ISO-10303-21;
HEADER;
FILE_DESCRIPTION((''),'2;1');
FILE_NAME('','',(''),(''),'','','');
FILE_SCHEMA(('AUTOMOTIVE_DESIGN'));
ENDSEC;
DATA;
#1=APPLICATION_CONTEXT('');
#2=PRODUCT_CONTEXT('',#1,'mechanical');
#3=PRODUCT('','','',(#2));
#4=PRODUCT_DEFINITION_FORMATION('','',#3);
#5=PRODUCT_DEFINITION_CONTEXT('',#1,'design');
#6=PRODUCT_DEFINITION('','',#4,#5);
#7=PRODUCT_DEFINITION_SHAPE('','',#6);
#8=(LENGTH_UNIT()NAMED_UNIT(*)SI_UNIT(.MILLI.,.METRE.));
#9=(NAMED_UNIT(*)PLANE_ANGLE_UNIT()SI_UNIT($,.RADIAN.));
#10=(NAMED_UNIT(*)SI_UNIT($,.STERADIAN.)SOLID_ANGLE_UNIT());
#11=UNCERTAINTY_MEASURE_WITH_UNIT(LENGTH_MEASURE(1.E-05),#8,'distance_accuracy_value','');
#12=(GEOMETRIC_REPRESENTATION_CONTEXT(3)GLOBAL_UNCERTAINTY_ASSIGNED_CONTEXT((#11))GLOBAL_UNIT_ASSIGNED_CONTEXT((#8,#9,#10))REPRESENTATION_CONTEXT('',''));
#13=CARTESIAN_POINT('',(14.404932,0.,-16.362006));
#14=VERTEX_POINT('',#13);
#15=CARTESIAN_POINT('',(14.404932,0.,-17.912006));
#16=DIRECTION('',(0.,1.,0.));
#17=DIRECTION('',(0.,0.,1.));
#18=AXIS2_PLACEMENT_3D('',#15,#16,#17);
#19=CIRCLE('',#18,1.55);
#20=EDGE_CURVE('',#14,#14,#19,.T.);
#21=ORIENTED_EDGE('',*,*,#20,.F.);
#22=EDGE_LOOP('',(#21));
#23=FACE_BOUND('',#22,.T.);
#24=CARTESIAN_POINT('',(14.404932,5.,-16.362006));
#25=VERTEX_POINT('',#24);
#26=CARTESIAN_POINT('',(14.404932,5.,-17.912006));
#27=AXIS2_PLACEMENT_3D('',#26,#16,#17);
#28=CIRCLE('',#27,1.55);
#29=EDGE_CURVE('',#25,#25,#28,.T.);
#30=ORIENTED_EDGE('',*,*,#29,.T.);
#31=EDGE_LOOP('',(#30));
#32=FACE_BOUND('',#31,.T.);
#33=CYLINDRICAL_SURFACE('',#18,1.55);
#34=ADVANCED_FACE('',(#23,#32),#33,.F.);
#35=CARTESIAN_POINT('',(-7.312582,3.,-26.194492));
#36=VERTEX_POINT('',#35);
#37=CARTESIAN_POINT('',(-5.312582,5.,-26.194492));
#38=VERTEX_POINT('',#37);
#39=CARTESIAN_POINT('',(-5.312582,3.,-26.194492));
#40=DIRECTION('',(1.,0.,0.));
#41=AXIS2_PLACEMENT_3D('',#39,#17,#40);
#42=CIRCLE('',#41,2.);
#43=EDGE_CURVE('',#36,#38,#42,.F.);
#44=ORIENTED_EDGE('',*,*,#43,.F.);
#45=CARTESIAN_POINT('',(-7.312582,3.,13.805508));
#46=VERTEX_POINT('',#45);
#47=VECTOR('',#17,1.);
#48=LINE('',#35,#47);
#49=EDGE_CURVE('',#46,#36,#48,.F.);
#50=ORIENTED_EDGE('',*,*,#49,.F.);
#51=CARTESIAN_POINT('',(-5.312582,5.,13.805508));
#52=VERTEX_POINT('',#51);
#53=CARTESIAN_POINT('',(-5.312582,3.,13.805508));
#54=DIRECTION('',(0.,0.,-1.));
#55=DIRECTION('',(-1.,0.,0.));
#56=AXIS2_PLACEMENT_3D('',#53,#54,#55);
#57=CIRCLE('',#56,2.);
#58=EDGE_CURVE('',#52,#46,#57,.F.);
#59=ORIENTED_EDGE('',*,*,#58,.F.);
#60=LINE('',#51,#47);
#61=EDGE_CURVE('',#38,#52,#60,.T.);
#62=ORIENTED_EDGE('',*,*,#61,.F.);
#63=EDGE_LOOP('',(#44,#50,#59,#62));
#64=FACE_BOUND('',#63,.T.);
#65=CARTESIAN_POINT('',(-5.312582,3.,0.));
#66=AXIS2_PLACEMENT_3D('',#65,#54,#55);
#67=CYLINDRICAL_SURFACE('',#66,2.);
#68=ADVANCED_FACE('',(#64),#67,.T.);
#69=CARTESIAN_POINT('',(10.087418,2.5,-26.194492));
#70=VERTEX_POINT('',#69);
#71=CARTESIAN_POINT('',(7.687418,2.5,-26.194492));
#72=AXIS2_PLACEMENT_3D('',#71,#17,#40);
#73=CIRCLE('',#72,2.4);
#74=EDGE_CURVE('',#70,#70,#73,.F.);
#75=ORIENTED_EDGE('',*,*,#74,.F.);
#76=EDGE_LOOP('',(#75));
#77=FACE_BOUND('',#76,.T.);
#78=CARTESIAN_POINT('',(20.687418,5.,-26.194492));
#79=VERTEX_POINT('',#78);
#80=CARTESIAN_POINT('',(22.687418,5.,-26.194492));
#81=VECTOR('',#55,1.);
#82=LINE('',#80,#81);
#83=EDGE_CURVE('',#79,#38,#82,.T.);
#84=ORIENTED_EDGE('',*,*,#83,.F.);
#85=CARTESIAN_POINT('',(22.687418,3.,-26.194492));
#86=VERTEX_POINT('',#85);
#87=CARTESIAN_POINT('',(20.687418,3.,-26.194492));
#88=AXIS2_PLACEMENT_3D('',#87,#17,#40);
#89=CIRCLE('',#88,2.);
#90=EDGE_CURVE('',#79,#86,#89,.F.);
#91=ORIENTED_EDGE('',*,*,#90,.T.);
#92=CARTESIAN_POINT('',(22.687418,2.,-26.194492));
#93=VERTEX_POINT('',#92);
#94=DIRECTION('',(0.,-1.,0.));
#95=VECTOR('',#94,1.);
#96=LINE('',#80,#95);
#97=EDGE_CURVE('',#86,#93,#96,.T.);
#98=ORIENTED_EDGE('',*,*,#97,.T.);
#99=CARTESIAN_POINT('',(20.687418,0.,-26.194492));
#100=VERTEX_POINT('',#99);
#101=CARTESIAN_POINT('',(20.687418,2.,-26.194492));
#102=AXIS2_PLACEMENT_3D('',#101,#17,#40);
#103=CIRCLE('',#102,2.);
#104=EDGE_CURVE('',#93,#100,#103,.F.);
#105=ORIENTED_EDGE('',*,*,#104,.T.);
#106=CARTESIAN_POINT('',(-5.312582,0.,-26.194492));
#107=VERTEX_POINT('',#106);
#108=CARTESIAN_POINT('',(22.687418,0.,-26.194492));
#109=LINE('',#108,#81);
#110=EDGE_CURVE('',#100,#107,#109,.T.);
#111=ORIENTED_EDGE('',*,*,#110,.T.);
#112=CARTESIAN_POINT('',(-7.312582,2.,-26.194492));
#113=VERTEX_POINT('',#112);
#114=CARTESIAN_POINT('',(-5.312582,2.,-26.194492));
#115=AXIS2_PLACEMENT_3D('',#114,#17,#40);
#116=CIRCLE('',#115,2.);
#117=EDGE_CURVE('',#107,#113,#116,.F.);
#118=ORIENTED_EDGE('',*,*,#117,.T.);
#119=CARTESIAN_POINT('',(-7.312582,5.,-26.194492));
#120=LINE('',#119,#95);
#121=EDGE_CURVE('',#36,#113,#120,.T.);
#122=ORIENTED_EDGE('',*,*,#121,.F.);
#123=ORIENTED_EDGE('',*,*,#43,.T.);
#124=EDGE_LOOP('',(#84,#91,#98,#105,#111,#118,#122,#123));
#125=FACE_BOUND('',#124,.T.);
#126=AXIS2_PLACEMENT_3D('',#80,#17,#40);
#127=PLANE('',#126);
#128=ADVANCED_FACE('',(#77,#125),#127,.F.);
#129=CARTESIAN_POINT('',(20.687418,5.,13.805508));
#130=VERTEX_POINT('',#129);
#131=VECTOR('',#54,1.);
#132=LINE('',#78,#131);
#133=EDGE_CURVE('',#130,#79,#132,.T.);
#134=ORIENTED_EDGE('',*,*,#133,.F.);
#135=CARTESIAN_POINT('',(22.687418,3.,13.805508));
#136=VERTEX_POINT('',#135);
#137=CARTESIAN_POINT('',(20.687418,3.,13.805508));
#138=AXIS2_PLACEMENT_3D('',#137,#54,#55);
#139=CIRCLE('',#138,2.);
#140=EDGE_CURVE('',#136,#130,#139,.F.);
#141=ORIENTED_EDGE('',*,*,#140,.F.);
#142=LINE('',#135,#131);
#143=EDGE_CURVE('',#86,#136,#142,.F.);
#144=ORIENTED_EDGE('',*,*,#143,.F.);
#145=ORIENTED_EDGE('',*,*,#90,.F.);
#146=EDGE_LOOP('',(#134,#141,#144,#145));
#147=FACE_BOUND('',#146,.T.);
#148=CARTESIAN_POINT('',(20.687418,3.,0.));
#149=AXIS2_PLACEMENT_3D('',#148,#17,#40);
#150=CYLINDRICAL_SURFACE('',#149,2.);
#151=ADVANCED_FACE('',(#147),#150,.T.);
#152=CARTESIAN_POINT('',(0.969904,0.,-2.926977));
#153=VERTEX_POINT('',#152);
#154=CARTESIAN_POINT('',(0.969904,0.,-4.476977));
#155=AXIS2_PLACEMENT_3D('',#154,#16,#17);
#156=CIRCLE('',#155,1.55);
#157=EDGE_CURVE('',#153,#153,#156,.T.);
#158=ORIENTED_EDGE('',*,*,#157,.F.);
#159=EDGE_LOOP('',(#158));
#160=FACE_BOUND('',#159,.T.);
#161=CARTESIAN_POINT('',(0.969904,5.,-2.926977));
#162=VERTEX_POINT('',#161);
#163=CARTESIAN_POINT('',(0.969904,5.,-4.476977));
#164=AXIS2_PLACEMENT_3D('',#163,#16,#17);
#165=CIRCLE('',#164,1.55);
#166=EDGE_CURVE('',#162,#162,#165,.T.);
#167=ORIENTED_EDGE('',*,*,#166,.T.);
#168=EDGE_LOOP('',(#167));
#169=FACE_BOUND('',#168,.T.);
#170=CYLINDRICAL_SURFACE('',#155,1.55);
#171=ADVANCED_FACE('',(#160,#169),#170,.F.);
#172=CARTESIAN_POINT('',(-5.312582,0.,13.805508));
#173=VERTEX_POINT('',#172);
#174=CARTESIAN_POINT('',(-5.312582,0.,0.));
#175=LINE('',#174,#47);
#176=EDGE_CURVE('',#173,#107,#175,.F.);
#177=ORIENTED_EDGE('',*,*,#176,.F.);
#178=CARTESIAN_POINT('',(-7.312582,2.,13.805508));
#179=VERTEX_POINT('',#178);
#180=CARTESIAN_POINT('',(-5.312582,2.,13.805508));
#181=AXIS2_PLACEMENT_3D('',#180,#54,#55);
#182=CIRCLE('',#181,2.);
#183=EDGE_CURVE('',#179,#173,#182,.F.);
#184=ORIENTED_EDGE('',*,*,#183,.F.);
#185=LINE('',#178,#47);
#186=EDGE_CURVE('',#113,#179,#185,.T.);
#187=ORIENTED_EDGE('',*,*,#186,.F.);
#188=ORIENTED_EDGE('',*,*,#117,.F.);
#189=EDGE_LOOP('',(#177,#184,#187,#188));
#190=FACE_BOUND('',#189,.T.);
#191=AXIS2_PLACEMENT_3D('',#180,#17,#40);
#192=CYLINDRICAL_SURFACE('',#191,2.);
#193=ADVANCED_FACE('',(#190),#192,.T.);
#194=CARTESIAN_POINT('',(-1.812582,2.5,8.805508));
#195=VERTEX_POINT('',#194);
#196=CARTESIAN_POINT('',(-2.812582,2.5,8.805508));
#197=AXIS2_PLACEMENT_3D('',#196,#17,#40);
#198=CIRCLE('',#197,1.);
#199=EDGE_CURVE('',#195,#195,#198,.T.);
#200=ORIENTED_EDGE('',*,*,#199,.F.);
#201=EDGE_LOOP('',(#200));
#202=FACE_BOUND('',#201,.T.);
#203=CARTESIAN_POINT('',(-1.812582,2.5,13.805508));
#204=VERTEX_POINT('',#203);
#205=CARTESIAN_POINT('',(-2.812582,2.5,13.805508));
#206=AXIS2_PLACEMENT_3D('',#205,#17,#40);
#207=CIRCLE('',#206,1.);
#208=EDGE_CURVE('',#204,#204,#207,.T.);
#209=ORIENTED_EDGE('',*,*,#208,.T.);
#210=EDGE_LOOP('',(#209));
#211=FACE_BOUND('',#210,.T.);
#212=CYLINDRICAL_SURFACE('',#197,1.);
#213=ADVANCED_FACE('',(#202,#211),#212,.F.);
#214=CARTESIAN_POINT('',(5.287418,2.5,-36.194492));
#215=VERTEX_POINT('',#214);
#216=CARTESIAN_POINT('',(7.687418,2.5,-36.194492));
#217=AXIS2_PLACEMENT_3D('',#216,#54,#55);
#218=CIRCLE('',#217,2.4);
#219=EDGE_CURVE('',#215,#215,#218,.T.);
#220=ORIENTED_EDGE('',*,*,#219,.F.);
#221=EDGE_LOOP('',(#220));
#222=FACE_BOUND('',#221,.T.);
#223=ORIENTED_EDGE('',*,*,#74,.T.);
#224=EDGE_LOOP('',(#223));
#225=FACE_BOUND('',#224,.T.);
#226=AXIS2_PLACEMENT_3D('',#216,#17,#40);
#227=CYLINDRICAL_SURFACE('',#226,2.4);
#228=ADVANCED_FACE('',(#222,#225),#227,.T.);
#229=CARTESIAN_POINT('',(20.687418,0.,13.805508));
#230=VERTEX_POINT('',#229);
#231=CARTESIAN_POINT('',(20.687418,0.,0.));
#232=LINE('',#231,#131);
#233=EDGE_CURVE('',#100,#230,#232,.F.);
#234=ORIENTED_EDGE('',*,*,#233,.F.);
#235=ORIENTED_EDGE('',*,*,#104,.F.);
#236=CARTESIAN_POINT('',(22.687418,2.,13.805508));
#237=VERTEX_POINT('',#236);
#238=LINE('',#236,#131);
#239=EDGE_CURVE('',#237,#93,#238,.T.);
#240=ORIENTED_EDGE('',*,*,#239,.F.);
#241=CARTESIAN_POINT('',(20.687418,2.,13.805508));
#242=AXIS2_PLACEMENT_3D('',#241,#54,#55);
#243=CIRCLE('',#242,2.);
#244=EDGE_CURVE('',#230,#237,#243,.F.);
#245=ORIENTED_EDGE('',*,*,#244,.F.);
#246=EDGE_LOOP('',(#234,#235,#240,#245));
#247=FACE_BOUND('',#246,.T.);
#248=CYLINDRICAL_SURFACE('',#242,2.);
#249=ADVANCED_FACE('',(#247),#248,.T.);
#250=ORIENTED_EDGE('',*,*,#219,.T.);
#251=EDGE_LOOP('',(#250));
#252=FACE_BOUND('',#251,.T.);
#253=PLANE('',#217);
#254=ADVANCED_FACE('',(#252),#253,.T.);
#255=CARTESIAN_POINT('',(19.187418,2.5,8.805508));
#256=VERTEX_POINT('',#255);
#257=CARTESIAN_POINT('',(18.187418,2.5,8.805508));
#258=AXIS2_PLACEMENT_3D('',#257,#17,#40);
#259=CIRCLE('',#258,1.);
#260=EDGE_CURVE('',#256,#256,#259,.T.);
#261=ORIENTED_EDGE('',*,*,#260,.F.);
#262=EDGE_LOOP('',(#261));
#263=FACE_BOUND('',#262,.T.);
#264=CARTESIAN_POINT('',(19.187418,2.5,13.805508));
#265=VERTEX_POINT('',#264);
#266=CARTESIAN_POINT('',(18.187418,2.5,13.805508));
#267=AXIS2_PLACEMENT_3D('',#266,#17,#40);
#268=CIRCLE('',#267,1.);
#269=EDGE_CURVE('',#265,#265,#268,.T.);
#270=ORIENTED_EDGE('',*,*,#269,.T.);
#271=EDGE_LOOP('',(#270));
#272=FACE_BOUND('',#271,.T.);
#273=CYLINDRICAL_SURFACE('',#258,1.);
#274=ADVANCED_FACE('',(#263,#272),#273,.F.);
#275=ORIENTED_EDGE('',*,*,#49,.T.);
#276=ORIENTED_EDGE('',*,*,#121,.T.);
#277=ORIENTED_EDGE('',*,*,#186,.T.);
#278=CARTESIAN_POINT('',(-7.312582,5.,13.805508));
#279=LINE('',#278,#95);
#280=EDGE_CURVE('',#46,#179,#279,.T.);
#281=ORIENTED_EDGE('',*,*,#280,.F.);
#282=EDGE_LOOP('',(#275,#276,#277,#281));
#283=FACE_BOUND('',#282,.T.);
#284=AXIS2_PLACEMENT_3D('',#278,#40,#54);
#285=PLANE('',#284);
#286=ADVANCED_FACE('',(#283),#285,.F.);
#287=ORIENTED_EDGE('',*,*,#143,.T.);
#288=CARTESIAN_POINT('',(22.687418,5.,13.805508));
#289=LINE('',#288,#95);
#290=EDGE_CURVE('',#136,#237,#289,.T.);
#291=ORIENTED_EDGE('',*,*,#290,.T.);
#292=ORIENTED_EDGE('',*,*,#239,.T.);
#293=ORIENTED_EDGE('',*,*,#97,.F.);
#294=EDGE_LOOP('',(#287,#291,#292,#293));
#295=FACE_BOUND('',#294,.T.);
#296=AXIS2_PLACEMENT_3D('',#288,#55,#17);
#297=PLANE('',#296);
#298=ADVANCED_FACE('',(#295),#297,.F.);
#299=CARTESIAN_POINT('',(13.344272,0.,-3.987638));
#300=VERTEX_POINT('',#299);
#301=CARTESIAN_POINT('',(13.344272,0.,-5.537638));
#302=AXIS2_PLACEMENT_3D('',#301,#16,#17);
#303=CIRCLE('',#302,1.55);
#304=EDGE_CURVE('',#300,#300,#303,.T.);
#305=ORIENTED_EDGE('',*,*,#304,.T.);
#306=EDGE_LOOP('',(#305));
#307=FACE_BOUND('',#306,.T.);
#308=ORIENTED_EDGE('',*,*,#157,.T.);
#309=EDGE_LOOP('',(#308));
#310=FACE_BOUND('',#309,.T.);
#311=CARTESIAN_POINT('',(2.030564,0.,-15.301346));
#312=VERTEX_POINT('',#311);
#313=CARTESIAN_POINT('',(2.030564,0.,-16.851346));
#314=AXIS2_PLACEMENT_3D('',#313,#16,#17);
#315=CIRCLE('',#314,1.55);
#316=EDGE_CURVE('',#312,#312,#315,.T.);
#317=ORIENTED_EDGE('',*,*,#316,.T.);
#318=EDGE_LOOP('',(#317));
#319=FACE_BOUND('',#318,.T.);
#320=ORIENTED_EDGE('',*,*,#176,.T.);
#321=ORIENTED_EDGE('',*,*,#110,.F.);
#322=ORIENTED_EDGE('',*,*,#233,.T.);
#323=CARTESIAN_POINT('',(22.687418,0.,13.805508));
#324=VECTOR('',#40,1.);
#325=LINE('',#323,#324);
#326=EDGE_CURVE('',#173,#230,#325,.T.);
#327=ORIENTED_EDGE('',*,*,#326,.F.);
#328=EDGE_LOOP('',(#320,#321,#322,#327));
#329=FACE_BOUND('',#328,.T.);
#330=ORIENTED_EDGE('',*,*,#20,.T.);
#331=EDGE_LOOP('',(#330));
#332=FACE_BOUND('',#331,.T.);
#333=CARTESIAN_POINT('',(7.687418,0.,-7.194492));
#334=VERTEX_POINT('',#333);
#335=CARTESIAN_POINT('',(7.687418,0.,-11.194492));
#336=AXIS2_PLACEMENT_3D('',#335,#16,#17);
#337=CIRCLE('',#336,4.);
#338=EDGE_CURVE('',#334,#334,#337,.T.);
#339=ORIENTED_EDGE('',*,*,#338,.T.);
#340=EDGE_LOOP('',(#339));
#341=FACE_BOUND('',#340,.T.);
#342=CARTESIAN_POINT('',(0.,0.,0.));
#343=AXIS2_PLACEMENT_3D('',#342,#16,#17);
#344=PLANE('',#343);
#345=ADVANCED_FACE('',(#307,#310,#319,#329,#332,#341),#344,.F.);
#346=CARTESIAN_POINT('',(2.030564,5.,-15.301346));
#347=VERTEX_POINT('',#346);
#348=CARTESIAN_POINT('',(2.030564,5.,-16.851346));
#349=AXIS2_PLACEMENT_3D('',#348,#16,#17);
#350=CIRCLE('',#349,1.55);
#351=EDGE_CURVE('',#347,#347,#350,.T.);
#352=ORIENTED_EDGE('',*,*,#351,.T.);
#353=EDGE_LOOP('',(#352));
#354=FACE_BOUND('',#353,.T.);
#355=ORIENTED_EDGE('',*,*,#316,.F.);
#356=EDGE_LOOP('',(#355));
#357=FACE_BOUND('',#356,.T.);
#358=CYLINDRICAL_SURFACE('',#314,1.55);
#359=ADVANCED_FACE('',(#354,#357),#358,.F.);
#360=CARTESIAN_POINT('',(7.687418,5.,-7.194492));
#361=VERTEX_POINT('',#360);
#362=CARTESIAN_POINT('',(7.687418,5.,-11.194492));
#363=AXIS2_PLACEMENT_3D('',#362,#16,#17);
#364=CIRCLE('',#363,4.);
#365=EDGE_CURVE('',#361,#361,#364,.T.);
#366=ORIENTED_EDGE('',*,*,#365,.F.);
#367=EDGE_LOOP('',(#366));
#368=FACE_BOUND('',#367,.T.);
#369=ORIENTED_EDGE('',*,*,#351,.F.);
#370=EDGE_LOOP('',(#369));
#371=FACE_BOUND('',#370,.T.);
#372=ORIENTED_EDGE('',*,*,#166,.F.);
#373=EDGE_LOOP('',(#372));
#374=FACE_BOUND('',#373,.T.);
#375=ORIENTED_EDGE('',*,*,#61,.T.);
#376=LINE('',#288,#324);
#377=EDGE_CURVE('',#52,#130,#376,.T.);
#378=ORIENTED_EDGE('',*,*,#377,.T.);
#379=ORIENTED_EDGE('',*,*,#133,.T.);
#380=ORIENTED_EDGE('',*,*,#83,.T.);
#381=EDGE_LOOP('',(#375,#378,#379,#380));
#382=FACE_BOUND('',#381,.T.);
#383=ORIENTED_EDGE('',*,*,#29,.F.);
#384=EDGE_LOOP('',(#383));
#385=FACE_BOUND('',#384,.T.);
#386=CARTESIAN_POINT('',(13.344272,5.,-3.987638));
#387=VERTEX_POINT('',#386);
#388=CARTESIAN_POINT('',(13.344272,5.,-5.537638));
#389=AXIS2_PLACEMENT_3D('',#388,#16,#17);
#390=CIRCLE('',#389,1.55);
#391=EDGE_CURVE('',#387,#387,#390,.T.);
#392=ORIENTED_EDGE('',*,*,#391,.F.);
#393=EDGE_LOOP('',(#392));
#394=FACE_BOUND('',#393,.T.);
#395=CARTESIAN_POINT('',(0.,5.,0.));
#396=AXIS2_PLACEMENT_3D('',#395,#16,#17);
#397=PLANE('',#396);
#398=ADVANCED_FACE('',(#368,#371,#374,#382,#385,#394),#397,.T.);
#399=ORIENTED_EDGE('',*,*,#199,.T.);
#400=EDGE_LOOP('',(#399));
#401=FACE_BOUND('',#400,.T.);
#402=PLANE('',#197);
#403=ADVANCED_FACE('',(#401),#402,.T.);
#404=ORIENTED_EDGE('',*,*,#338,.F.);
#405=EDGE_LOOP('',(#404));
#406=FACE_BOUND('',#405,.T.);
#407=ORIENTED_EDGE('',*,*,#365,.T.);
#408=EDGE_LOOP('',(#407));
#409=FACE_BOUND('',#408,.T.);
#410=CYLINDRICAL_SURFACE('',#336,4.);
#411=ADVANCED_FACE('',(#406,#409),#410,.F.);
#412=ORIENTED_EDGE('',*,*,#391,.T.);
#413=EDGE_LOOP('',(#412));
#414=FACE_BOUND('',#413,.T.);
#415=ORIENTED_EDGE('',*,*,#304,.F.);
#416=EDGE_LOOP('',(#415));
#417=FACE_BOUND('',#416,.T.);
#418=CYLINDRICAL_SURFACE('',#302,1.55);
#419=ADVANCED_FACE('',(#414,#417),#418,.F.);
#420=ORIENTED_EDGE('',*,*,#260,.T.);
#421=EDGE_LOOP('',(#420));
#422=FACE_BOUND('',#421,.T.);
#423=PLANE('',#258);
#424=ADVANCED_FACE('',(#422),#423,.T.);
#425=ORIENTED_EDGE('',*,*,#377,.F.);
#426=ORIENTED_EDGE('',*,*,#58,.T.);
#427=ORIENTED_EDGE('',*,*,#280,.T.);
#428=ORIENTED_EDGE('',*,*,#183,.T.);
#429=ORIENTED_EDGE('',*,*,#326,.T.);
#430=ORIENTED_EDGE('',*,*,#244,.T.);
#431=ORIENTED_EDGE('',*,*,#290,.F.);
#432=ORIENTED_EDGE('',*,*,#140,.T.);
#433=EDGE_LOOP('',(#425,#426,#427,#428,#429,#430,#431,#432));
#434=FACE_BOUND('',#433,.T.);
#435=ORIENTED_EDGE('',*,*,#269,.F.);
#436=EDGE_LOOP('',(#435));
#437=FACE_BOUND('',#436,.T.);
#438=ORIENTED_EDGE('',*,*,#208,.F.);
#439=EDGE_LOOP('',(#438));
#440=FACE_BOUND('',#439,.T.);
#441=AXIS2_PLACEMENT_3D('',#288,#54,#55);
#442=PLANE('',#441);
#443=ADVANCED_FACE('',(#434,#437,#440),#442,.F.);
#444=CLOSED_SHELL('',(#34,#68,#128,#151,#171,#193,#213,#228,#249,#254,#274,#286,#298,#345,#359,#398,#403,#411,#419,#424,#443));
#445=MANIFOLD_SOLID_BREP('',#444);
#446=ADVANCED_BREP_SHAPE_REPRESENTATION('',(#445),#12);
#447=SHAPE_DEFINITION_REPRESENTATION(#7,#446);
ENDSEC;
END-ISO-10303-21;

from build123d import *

# Parameters (mm, degrees)
SKETCH1_W           = 30
SKETCH1_H           = 40
BOSS_EXTRUDE1_DEPTH = 5
SKETCH2_R           = 4
CUT_EXTRUDE1_DEPTH  = 5
SKETCH3_R           = 1.55
CUT_EXTRUDE2_DEPTH  = 5
SKETCH4_R           = 1
CUT_EXTRUDE3_DEPTH  = 5
SKETCH5_R           = 2.4
BOSS_EXTRUDE2_DEPTH = 10
FILLET1_R           = 2


with BuildPart() as part:
    # Sketch1 → Boss-Extrude1 (new body)
    with BuildSketch(Plane(origin=(0, 0, 0), x_dir=(1, 0, 0), z_dir=(0, 1, 0))):
        with Locations((7.687417977, 6.194491888)):
            Rectangle(SKETCH1_W, SKETCH1_H)
    extrude(amount=BOSS_EXTRUDE1_DEPTH)

    # Sketch2 → Cut-Extrude1 (cut)
    with BuildSketch(Plane(origin=(0, 5, 0), x_dir=(-1, 0, 0), z_dir=(0, 1, 0))):
        with Locations(Location((-7.687417977, -11.194491888, 0), (0, 0, 90))):
            Circle(SKETCH2_R)
    extrude(amount=-CUT_EXTRUDE1_DEPTH, mode=Mode.SUBTRACT)

    # Sketch3 → Cut-Extrude2 (cut)
    with BuildSketch(Plane(origin=(0, 5, 0), x_dir=(1, 0, 0), z_dir=(0, 1, 0))):
        with Locations(Location((2.030563727, 16.851346138, 0), (0, 0, 270))):
            Circle(SKETCH3_R)
        with Locations(Location((14.404932398, 17.912006309, 0), (0, 0, 270))):
            Circle(SKETCH3_R)
        with Locations(Location((13.344272226, 5.537637639, 0), (0, 0, 270))):
            Circle(SKETCH3_R)
        with Locations(Location((0.969903556, 4.476977467, 0), (0, 0, 270))):
            Circle(SKETCH3_R)
    extrude(amount=-CUT_EXTRUDE2_DEPTH, mode=Mode.SUBTRACT)

    # Sketch4 → Cut-Extrude3 (cut)
    with BuildSketch(Plane.XY.offset(13.805508112)):
        with Locations((-2.812582023, 2.5)):
            Circle(SKETCH4_R)
        with Locations((18.187417977, 2.5)):
            Circle(SKETCH4_R)
    extrude(amount=-CUT_EXTRUDE3_DEPTH, mode=Mode.SUBTRACT)

    # Sketch5 → Boss-Extrude2 (add)
    with BuildSketch(Plane(origin=(0, 0, -26.194491888), x_dir=(-1, 0, 0), z_dir=(0, 0, -1))):
        with Locations(Location((-7.687417977, 2.5, 0), (0, 0, 180))):
            Circle(SKETCH5_R)
    extrude(amount=BOSS_EXTRUDE2_DEPTH)

    # Fillet1
    fillet1_edges = [part.edges().sort_by_distance(p)[0] for p in [
        (-7.312582023, 5, -6.194491888),
        (22.687417977, 5, -6.194491888),
        (-7.312582023, 0, -6.194491888),
        (22.687417977, 0, -6.194491888),
    ]]
    fillet(fillet1_edges, radius=FILLET1_R)


solid = part.part
